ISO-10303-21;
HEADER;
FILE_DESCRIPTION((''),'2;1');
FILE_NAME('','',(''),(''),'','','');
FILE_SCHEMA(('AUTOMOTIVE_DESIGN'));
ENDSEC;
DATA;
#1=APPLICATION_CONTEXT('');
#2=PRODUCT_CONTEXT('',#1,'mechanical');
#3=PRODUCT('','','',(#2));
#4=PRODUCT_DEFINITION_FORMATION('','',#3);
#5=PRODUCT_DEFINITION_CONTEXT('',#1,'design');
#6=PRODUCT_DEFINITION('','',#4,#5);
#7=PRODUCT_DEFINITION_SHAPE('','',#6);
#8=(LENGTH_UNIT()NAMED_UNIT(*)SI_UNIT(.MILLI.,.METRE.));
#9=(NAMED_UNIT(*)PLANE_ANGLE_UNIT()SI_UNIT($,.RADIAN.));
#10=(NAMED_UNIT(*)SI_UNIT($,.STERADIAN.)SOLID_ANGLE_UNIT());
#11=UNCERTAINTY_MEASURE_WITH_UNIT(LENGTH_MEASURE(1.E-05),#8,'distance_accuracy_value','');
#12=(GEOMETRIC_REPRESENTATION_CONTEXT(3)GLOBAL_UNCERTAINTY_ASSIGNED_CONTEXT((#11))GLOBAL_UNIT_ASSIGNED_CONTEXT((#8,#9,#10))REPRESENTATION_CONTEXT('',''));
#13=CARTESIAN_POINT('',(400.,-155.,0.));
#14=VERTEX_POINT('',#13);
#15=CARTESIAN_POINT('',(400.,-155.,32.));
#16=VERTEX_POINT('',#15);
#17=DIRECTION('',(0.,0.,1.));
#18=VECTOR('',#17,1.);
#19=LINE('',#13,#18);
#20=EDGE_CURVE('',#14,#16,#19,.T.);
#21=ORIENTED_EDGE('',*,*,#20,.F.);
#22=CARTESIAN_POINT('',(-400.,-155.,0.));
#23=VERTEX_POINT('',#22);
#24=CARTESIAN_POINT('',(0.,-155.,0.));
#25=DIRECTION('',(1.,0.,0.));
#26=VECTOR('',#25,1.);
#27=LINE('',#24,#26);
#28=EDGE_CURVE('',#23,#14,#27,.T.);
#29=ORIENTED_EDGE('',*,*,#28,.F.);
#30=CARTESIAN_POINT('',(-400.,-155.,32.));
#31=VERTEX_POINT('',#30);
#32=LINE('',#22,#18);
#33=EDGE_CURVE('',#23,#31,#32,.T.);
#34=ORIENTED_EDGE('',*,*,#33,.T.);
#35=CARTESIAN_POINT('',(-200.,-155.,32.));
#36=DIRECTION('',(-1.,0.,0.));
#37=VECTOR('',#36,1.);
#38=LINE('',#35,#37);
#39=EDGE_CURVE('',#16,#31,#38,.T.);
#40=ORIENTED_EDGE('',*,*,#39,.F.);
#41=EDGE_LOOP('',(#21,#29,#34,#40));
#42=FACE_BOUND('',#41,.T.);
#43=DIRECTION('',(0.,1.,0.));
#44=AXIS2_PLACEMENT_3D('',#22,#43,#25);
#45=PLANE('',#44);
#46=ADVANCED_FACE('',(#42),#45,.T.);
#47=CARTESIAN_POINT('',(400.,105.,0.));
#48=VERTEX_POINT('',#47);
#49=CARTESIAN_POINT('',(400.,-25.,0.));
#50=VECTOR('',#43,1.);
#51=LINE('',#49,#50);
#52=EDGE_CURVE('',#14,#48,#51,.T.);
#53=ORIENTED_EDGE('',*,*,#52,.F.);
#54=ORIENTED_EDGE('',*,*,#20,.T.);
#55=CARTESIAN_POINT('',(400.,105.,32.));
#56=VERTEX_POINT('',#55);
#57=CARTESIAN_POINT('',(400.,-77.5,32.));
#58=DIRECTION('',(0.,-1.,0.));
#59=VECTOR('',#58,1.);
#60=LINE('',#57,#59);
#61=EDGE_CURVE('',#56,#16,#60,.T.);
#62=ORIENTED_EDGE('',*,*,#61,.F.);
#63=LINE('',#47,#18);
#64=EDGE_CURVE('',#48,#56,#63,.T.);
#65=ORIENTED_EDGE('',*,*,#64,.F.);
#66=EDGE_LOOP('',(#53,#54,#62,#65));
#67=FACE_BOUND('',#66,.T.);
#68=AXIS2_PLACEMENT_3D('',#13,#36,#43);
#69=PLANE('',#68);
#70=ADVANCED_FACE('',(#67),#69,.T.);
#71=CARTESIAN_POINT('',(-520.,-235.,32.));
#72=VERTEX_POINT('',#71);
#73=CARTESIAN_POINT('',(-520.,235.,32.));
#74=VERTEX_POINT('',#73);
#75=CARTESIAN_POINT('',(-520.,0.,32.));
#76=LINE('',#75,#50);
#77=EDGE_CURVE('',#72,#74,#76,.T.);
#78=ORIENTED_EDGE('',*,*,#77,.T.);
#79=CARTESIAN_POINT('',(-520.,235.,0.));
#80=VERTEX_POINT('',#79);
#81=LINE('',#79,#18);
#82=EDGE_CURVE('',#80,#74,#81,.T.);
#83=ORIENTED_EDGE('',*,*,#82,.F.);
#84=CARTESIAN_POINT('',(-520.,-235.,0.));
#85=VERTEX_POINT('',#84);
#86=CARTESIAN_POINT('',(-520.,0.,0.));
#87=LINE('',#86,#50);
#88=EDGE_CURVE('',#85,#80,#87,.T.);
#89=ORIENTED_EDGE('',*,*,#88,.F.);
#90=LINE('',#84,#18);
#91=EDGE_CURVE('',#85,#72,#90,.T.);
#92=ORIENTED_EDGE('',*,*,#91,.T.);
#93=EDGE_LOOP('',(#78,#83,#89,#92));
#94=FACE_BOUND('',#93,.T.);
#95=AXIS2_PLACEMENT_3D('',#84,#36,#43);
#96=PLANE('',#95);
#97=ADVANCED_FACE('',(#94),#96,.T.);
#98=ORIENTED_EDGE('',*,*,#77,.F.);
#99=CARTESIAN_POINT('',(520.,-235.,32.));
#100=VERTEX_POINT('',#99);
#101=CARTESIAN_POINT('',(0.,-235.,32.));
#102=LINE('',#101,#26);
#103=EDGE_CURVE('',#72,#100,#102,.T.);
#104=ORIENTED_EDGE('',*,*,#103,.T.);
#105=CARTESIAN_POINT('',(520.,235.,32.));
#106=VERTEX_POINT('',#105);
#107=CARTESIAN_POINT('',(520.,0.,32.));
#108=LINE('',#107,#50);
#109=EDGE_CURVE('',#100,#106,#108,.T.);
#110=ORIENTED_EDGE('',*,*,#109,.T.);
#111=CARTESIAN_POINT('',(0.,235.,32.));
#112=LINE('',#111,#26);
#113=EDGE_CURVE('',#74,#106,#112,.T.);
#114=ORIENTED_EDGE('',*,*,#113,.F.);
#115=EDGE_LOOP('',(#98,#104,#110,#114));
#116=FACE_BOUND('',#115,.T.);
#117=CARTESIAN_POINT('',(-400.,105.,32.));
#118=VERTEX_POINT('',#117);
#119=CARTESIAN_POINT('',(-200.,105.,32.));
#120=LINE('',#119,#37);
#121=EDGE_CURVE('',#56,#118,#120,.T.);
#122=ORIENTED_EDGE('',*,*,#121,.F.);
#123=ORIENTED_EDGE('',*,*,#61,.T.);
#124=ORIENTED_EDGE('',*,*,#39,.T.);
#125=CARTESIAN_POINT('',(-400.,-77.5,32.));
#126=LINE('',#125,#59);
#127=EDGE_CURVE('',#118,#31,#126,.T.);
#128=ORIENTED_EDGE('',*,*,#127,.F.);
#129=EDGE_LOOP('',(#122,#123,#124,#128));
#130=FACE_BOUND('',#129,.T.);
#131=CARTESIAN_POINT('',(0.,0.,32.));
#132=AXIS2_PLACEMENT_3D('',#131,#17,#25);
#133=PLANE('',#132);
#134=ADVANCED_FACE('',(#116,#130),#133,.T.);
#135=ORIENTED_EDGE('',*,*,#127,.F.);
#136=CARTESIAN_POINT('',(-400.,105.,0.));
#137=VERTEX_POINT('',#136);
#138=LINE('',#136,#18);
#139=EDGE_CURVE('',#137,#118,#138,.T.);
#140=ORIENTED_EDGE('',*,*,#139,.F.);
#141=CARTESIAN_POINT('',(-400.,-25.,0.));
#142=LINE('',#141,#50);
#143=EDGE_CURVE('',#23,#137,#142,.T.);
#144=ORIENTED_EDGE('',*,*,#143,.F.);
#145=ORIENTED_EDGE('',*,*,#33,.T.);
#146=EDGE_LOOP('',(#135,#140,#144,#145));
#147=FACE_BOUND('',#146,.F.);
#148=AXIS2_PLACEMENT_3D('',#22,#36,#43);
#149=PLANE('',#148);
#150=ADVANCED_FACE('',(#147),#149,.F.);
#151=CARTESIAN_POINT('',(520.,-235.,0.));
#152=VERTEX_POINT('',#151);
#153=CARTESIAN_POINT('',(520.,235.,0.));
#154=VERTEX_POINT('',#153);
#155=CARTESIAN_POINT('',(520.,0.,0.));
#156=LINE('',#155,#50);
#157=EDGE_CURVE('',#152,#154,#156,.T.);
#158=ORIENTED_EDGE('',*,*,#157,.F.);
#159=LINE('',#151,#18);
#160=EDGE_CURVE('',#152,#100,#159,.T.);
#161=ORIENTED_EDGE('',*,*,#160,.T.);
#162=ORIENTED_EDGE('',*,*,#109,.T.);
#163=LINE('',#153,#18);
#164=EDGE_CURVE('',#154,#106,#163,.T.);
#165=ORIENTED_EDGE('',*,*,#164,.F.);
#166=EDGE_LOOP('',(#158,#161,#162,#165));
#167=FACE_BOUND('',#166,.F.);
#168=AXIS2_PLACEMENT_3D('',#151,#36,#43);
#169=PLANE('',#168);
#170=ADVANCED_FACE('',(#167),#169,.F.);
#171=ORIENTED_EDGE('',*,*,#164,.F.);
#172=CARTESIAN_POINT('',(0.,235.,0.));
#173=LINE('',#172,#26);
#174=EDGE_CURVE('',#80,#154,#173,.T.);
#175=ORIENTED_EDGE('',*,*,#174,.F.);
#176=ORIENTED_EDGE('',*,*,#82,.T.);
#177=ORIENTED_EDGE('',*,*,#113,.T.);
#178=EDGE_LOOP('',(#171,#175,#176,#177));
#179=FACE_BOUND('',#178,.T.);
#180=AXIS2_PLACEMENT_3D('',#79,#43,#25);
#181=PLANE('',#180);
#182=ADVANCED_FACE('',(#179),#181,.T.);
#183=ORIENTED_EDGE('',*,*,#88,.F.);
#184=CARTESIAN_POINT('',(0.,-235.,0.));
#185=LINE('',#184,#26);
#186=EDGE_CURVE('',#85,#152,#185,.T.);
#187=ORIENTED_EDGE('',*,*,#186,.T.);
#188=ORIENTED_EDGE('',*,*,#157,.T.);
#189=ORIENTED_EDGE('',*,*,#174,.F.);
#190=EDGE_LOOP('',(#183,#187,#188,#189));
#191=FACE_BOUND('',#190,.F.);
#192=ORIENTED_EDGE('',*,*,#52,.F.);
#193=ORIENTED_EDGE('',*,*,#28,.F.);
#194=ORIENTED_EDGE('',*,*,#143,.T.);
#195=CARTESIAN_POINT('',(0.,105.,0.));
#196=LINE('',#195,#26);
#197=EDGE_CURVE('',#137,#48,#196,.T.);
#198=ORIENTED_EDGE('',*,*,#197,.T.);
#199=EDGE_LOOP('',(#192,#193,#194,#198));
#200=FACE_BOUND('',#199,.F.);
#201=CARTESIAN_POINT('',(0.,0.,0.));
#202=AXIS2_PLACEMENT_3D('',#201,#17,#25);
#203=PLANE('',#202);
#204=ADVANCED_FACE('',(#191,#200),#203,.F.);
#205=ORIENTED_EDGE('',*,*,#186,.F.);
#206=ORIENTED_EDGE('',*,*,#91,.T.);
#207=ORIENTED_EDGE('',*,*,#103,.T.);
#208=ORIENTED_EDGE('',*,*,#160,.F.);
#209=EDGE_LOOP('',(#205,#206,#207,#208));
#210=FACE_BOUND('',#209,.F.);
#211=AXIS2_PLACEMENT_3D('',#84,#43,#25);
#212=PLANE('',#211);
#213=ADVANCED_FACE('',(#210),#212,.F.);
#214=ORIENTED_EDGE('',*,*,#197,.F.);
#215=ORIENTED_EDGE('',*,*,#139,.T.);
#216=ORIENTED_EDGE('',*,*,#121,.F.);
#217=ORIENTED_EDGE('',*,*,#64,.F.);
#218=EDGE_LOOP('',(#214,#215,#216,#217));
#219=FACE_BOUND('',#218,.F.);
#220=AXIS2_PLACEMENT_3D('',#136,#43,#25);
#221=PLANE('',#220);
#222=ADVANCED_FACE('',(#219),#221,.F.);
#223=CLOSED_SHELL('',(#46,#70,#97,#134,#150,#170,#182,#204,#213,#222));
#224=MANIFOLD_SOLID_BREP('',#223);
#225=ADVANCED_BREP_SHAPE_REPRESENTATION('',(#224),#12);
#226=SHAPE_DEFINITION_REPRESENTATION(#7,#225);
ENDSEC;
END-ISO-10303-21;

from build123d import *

# Parameters (mm, degrees)
F0_W     = 1040
F0_H     = 470
F1_DEPTH = 32
F2_W     = 800
F2_H     = 260
F3_DEPTH = 32.001


with BuildPart() as f1:
    # F0 (on Top) → F1 (new body)
    with BuildSketch(Plane.XY):
        Rectangle(F0_W, F0_H)
    extrude(amount=F1_DEPTH)

    # F2 (on Top) → F3 (cut, through all)
    with BuildSketch(Plane.XY):
        with Locations((0, -25)):
            Rectangle(F2_W, F2_H)
    extrude(amount=F3_DEPTH, mode=Mode.SUBTRACT)


solid = f1.part
